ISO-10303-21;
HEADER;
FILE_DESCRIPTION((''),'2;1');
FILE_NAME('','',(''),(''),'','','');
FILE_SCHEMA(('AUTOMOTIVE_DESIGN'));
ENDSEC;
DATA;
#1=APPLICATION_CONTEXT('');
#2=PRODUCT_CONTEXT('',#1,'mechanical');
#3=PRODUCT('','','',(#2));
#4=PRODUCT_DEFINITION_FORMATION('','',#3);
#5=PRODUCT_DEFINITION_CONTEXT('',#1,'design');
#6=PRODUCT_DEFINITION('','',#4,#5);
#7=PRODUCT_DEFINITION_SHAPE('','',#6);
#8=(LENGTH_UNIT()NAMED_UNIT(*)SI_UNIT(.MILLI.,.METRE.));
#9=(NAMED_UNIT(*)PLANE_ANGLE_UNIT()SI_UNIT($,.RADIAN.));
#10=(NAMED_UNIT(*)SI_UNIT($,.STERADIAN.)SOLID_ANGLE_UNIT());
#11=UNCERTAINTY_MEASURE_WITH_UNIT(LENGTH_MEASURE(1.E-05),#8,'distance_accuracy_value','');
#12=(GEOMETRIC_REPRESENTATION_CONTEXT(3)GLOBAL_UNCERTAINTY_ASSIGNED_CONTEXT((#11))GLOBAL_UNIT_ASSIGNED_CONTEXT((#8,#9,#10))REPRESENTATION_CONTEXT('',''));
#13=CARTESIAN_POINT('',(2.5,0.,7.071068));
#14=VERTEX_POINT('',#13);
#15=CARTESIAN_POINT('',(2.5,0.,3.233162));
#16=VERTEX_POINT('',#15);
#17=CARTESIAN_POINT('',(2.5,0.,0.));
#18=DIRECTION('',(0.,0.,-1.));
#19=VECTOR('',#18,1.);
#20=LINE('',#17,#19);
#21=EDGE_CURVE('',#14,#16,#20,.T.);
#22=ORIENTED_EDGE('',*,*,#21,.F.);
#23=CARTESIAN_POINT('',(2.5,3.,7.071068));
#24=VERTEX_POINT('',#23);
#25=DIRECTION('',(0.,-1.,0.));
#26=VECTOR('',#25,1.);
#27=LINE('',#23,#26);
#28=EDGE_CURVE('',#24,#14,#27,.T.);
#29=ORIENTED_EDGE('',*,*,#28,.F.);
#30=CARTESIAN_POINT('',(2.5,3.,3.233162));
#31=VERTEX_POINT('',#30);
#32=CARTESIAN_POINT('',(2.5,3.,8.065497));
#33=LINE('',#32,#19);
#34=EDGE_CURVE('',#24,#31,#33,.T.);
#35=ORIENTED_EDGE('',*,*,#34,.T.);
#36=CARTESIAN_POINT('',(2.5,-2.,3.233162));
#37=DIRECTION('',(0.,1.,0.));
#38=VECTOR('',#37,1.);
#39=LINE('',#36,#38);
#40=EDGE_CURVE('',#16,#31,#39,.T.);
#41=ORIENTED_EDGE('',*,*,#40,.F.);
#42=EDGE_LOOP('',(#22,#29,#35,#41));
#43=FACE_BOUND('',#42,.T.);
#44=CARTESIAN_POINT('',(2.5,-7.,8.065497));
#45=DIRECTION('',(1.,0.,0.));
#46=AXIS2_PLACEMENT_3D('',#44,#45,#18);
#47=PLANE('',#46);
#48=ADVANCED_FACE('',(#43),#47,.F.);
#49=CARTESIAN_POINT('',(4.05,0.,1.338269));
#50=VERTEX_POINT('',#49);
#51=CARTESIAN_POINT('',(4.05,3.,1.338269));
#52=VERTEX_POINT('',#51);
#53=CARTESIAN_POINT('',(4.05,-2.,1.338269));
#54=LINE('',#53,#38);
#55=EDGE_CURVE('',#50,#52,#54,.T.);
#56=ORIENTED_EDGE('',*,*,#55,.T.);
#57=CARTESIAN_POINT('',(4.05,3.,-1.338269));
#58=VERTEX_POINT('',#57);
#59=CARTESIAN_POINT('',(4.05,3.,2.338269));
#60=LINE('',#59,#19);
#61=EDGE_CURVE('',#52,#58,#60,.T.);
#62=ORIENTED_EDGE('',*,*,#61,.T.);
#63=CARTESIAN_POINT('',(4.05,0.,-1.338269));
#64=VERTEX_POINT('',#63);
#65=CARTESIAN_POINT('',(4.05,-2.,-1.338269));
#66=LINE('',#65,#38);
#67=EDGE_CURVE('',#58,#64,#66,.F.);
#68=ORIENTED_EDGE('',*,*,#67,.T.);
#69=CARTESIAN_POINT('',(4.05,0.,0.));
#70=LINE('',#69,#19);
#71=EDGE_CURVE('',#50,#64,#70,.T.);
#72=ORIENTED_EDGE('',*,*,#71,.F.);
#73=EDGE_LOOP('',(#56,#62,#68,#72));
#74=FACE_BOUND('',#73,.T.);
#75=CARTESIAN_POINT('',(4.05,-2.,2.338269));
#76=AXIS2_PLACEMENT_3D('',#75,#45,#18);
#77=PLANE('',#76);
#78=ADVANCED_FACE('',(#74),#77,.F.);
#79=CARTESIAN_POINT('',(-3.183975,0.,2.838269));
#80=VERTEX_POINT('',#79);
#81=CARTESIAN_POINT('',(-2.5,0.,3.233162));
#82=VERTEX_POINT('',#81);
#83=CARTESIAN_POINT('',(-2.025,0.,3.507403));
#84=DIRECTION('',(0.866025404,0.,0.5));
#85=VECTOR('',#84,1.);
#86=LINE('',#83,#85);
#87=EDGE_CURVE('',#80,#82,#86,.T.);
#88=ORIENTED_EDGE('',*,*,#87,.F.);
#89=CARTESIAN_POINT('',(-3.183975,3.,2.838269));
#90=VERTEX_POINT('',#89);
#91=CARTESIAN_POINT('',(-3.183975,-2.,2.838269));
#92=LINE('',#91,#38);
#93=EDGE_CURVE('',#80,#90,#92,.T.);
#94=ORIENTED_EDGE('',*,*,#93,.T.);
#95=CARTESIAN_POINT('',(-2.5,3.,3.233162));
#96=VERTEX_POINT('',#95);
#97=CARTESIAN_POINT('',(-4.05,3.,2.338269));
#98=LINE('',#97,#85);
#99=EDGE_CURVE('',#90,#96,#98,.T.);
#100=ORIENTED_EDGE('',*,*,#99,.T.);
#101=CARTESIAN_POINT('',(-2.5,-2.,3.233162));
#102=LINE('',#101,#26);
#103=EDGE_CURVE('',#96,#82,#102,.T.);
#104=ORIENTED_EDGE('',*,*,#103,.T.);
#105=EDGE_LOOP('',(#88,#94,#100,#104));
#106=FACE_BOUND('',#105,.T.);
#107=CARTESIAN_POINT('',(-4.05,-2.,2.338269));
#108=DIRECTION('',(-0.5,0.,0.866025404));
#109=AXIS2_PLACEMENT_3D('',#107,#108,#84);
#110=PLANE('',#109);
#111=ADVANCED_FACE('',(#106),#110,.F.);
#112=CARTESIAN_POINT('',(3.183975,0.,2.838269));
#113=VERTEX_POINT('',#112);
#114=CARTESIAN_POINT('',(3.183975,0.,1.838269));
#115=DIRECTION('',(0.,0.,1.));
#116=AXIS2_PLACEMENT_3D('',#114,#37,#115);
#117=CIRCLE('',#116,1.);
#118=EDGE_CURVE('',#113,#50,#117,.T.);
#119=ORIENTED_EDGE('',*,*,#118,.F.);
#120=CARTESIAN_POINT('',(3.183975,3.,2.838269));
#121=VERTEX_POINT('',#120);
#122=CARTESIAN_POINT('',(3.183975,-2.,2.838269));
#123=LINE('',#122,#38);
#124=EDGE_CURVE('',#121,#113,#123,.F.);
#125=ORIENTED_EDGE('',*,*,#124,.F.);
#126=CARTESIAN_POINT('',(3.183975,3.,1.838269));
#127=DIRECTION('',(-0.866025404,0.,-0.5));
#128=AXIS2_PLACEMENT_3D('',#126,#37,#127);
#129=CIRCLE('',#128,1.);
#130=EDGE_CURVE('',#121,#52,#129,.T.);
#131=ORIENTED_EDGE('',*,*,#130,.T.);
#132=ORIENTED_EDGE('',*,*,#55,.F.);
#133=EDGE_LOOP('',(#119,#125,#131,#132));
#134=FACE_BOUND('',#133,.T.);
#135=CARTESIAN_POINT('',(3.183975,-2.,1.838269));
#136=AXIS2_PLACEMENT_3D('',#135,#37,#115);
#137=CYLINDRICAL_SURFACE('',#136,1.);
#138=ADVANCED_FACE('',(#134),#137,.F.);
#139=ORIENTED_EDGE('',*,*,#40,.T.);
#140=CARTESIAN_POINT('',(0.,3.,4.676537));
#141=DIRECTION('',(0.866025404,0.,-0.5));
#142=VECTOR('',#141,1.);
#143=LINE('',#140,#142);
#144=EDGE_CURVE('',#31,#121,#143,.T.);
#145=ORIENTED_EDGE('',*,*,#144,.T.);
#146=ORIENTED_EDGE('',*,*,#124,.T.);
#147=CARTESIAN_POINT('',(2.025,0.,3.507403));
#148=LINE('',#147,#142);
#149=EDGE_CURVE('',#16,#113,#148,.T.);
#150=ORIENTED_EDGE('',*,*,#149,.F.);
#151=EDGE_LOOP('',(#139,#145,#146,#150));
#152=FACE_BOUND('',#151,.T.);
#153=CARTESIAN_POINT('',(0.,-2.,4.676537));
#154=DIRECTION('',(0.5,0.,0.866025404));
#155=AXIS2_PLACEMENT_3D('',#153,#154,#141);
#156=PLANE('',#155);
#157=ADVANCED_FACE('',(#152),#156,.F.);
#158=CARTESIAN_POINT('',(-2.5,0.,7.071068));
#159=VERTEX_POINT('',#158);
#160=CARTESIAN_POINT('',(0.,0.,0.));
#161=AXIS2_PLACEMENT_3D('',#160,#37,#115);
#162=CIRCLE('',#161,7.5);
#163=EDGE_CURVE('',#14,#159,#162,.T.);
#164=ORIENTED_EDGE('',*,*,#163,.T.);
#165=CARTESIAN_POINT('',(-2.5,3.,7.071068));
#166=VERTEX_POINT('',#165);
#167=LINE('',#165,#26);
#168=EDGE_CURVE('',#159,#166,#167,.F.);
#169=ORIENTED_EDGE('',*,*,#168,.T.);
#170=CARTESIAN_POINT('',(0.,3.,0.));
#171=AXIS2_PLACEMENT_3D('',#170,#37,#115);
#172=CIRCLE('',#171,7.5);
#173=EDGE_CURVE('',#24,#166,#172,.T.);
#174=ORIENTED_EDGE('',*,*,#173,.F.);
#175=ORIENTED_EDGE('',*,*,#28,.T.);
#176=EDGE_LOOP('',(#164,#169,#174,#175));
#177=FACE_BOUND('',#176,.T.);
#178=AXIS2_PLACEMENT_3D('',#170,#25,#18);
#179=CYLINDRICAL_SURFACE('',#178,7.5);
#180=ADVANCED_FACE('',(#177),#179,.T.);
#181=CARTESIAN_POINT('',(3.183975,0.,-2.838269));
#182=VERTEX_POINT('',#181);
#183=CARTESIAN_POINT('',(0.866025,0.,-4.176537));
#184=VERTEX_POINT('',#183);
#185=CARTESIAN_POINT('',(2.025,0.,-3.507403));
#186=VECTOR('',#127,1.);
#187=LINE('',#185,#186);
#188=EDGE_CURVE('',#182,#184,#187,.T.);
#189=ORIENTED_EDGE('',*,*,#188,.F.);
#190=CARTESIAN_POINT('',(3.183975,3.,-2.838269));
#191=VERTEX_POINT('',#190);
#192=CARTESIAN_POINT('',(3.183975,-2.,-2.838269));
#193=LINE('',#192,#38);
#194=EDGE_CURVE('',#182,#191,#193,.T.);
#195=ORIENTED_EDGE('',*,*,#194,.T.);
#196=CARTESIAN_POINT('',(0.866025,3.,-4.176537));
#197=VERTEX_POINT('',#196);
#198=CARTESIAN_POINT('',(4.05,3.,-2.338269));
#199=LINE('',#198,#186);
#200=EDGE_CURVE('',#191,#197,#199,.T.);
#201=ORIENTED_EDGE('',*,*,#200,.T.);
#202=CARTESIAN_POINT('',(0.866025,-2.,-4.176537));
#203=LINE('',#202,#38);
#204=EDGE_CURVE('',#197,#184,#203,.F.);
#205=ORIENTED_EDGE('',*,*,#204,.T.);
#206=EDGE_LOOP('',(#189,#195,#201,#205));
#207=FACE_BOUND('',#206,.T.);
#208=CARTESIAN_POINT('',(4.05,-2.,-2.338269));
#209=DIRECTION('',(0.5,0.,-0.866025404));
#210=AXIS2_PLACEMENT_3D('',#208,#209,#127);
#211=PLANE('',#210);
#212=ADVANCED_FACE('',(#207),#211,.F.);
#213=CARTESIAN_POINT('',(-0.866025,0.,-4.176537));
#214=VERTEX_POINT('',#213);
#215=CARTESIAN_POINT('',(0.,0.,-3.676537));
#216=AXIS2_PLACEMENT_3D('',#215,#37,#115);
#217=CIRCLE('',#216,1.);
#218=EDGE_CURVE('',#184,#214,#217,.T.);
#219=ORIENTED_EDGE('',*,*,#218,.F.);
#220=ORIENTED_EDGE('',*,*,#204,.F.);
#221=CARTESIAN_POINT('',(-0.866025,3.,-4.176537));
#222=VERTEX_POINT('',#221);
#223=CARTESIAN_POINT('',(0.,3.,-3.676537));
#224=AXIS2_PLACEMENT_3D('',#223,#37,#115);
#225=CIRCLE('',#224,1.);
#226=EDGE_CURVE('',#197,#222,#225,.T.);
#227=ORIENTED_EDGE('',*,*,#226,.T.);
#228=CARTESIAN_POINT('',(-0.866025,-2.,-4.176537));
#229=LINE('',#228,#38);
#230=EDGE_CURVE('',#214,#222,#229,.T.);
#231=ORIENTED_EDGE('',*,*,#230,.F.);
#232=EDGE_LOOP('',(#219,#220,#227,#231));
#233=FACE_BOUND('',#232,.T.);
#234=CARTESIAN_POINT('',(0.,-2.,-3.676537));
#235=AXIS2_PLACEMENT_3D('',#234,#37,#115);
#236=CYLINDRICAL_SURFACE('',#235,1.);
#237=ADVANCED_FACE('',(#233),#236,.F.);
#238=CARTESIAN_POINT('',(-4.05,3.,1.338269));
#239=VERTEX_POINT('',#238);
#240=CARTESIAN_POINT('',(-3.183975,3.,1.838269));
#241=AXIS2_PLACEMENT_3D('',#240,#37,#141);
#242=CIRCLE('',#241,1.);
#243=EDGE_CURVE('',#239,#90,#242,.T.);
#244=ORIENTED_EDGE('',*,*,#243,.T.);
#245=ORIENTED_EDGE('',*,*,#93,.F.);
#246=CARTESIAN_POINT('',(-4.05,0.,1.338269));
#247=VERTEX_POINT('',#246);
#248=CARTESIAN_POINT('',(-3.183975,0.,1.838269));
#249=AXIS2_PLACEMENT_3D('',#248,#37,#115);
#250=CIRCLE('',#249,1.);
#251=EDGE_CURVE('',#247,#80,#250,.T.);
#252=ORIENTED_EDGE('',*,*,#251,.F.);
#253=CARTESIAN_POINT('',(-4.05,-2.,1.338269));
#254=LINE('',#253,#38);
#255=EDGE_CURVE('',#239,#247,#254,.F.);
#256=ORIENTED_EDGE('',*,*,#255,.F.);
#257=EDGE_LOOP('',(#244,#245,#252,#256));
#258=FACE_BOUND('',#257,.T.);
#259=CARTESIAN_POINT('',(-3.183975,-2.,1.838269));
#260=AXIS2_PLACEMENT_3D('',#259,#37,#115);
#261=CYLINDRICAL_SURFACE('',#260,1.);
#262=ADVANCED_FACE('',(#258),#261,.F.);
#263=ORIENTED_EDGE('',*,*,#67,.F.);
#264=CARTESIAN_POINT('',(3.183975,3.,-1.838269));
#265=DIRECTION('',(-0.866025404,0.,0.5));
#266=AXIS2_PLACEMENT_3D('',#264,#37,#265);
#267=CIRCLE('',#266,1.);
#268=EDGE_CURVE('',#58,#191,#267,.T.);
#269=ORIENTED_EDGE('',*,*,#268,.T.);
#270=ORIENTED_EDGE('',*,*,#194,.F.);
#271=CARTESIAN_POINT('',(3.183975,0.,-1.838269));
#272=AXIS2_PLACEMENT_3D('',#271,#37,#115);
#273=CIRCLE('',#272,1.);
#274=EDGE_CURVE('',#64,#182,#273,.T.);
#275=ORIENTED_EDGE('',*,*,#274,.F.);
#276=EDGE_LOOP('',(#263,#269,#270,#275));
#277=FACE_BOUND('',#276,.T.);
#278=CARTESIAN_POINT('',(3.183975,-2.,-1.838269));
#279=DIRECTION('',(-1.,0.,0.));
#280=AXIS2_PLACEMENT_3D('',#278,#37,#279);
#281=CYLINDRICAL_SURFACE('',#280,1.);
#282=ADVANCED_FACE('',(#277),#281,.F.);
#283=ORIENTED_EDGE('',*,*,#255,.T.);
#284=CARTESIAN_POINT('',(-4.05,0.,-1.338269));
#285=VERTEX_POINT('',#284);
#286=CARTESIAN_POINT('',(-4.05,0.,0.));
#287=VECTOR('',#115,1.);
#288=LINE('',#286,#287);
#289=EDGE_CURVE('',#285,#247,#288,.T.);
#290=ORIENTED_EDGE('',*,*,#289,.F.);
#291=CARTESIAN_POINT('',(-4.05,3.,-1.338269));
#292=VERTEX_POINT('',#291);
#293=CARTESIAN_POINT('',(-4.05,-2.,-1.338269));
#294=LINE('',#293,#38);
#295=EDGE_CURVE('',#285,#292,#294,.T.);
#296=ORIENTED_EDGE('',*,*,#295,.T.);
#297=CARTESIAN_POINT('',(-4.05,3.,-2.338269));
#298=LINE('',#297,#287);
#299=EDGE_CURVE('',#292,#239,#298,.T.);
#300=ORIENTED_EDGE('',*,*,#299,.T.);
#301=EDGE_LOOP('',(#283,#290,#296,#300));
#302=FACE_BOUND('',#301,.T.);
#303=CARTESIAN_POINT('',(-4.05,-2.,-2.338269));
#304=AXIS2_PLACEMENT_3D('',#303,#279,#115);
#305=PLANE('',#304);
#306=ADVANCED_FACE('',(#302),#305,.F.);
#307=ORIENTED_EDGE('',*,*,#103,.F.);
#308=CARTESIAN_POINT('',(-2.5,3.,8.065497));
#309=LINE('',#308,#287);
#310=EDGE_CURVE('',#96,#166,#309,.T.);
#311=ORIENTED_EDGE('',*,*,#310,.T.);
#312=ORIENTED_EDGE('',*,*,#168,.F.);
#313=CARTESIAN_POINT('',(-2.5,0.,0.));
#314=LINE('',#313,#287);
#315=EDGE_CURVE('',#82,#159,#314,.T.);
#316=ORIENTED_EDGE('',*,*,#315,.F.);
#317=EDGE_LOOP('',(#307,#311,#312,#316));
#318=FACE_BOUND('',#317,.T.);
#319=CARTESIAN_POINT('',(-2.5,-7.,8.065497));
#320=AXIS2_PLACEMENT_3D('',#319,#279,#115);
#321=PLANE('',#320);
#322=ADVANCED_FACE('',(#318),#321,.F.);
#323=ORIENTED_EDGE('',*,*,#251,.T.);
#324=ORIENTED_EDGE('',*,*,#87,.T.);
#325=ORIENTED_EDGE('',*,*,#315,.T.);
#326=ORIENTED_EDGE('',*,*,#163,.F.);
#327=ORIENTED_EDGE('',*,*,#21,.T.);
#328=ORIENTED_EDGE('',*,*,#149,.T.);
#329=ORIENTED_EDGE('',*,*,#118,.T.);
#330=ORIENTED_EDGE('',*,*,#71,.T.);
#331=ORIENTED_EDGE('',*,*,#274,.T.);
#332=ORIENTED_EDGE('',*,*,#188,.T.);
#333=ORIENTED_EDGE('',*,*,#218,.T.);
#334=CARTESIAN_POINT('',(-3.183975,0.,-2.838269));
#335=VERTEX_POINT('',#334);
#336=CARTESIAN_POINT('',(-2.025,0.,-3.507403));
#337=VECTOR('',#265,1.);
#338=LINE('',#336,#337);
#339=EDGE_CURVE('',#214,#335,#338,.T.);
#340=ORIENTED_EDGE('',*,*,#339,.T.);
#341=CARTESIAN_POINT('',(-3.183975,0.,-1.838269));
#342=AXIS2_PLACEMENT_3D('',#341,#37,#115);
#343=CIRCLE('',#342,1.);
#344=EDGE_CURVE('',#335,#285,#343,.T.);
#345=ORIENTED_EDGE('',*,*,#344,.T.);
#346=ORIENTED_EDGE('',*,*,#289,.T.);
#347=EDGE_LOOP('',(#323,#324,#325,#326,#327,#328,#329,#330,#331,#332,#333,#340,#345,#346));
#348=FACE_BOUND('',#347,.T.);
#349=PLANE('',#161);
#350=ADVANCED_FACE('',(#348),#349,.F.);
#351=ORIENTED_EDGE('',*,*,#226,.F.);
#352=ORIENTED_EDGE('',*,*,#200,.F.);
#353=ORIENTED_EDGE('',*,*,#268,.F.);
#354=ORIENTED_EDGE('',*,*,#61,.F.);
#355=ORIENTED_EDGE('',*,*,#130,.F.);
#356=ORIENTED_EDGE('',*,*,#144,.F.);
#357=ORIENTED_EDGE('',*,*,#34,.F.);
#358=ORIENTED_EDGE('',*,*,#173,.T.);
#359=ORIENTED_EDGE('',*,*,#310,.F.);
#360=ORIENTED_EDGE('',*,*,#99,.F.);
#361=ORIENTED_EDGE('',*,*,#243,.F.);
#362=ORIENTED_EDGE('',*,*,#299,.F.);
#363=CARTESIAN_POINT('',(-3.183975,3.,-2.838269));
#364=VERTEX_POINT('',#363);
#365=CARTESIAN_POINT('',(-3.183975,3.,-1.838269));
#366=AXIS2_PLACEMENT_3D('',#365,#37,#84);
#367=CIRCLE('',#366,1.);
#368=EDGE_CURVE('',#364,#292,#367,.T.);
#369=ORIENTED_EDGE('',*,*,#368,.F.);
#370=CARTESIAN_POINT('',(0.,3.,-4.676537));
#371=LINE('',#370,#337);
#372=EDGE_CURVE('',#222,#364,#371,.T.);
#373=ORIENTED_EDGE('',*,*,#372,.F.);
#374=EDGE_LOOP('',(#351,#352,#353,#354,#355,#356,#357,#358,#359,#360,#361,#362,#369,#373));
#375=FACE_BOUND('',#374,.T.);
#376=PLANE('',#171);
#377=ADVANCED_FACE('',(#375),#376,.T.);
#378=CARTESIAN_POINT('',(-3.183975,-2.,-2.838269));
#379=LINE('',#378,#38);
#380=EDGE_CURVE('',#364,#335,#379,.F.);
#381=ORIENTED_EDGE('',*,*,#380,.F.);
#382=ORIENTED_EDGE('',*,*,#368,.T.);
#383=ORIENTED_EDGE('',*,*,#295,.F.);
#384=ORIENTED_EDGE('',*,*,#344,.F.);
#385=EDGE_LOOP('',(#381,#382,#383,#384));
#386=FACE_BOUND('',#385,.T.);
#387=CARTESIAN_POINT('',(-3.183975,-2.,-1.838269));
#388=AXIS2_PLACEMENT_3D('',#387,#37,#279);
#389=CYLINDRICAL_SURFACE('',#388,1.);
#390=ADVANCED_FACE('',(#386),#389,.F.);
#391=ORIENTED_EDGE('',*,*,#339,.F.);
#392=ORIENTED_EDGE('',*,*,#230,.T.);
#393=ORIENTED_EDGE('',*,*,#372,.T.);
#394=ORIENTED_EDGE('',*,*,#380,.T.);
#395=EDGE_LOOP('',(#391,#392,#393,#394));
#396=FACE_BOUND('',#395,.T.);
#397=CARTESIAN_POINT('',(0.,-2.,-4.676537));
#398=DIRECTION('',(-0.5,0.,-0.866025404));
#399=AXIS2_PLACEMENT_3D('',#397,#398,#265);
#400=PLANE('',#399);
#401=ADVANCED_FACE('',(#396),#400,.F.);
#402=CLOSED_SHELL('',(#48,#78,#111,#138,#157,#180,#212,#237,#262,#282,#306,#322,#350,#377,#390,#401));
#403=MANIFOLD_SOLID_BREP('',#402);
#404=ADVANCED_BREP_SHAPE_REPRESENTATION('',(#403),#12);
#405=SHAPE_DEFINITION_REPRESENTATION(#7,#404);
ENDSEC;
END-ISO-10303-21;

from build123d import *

# Parameters (mm, degrees)
SKETCH_3_R               = 7.5
EXTRUDE_2_DEPTH          = 3
CUT_EXTRUDE_1_DEPTH      = 5
SKETCH_5_R               = 1
CUT_EXTRUDE_2_DEPTH      = 5
PATTERN_CIRCULAR_1_COUNT = 6
CUT_EXTRUDE_3_DEPTH      = 10


with BuildPart() as part:
    # 스케치3 → 보스-돌출2 (new body)
    with BuildSketch(Plane(origin=(0, 0, 0), x_dir=(1, 0, 0), z_dir=(0, 1, 0))):
        with Locations(Location((0, 0, 0), (0, 0, 270))):
            Circle(SKETCH_3_R)
    extrude(amount=EXTRUDE_2_DEPTH)

    # 스케치4 → 컷-돌출1 (cut)
    with BuildSketch(Plane(origin=(0, 3, 0), x_dir=(1, 0, 0), z_dir=(0, 1, 0))):
        Polygon((4.05, 2.33826859), (0, 4.67653718), (-4.05, 2.33826859), (-4.05, -2.33826859), (0, -4.67653718), (4.05, -2.33826859), align=None)
    extrude(amount=-CUT_EXTRUDE_1_DEPTH, mode=Mode.SUBTRACT)

    # 스케치5 → 컷-돌출2 (cut)
    with BuildSketch(Plane(origin=(0, 3, 0), x_dir=(1, 0, 0), z_dir=(0, 1, 0))):
        with Locations((0, 3.67653718)):
            Circle(SKETCH_5_R)
    cut_extrude_2 = extrude(amount=-CUT_EXTRUDE_2_DEPTH, mode=Mode.SUBTRACT)

    # 원형 패턴1: 컷-돌출2 ×6 about axis
    pattern_circular_1_axis = Axis((0, 0, 0), (0, 1, 0))
    for i in range(1, PATTERN_CIRCULAR_1_COUNT):
        add(cut_extrude_2.rotate(pattern_circular_1_axis, i * 360 / PATTERN_CIRCULAR_1_COUNT), mode=Mode.SUBTRACT)

    # 스케치6 → 컷-돌출3 (cut)
    with BuildSketch(Plane(origin=(0, 3, 0), x_dir=(1, 0, 0), z_dir=(0, 1, 0))):
        with BuildLine():
            Line((-2.5, -8.065496872), (-2.5, -2.774670645))
            ThreePointArc((-2.5, -2.774670645), (0, -0.274670645), (2.5, -2.774670645))
            Line((2.5, -2.774670645), (2.5, -8.065496872))
            ThreePointArc((2.5, -8.065496872), (0, -10.565496872), (-2.5, -8.065496872))
        make_face()
    extrude(amount=-CUT_EXTRUDE_3_DEPTH, mode=Mode.SUBTRACT)


solid = part.part
